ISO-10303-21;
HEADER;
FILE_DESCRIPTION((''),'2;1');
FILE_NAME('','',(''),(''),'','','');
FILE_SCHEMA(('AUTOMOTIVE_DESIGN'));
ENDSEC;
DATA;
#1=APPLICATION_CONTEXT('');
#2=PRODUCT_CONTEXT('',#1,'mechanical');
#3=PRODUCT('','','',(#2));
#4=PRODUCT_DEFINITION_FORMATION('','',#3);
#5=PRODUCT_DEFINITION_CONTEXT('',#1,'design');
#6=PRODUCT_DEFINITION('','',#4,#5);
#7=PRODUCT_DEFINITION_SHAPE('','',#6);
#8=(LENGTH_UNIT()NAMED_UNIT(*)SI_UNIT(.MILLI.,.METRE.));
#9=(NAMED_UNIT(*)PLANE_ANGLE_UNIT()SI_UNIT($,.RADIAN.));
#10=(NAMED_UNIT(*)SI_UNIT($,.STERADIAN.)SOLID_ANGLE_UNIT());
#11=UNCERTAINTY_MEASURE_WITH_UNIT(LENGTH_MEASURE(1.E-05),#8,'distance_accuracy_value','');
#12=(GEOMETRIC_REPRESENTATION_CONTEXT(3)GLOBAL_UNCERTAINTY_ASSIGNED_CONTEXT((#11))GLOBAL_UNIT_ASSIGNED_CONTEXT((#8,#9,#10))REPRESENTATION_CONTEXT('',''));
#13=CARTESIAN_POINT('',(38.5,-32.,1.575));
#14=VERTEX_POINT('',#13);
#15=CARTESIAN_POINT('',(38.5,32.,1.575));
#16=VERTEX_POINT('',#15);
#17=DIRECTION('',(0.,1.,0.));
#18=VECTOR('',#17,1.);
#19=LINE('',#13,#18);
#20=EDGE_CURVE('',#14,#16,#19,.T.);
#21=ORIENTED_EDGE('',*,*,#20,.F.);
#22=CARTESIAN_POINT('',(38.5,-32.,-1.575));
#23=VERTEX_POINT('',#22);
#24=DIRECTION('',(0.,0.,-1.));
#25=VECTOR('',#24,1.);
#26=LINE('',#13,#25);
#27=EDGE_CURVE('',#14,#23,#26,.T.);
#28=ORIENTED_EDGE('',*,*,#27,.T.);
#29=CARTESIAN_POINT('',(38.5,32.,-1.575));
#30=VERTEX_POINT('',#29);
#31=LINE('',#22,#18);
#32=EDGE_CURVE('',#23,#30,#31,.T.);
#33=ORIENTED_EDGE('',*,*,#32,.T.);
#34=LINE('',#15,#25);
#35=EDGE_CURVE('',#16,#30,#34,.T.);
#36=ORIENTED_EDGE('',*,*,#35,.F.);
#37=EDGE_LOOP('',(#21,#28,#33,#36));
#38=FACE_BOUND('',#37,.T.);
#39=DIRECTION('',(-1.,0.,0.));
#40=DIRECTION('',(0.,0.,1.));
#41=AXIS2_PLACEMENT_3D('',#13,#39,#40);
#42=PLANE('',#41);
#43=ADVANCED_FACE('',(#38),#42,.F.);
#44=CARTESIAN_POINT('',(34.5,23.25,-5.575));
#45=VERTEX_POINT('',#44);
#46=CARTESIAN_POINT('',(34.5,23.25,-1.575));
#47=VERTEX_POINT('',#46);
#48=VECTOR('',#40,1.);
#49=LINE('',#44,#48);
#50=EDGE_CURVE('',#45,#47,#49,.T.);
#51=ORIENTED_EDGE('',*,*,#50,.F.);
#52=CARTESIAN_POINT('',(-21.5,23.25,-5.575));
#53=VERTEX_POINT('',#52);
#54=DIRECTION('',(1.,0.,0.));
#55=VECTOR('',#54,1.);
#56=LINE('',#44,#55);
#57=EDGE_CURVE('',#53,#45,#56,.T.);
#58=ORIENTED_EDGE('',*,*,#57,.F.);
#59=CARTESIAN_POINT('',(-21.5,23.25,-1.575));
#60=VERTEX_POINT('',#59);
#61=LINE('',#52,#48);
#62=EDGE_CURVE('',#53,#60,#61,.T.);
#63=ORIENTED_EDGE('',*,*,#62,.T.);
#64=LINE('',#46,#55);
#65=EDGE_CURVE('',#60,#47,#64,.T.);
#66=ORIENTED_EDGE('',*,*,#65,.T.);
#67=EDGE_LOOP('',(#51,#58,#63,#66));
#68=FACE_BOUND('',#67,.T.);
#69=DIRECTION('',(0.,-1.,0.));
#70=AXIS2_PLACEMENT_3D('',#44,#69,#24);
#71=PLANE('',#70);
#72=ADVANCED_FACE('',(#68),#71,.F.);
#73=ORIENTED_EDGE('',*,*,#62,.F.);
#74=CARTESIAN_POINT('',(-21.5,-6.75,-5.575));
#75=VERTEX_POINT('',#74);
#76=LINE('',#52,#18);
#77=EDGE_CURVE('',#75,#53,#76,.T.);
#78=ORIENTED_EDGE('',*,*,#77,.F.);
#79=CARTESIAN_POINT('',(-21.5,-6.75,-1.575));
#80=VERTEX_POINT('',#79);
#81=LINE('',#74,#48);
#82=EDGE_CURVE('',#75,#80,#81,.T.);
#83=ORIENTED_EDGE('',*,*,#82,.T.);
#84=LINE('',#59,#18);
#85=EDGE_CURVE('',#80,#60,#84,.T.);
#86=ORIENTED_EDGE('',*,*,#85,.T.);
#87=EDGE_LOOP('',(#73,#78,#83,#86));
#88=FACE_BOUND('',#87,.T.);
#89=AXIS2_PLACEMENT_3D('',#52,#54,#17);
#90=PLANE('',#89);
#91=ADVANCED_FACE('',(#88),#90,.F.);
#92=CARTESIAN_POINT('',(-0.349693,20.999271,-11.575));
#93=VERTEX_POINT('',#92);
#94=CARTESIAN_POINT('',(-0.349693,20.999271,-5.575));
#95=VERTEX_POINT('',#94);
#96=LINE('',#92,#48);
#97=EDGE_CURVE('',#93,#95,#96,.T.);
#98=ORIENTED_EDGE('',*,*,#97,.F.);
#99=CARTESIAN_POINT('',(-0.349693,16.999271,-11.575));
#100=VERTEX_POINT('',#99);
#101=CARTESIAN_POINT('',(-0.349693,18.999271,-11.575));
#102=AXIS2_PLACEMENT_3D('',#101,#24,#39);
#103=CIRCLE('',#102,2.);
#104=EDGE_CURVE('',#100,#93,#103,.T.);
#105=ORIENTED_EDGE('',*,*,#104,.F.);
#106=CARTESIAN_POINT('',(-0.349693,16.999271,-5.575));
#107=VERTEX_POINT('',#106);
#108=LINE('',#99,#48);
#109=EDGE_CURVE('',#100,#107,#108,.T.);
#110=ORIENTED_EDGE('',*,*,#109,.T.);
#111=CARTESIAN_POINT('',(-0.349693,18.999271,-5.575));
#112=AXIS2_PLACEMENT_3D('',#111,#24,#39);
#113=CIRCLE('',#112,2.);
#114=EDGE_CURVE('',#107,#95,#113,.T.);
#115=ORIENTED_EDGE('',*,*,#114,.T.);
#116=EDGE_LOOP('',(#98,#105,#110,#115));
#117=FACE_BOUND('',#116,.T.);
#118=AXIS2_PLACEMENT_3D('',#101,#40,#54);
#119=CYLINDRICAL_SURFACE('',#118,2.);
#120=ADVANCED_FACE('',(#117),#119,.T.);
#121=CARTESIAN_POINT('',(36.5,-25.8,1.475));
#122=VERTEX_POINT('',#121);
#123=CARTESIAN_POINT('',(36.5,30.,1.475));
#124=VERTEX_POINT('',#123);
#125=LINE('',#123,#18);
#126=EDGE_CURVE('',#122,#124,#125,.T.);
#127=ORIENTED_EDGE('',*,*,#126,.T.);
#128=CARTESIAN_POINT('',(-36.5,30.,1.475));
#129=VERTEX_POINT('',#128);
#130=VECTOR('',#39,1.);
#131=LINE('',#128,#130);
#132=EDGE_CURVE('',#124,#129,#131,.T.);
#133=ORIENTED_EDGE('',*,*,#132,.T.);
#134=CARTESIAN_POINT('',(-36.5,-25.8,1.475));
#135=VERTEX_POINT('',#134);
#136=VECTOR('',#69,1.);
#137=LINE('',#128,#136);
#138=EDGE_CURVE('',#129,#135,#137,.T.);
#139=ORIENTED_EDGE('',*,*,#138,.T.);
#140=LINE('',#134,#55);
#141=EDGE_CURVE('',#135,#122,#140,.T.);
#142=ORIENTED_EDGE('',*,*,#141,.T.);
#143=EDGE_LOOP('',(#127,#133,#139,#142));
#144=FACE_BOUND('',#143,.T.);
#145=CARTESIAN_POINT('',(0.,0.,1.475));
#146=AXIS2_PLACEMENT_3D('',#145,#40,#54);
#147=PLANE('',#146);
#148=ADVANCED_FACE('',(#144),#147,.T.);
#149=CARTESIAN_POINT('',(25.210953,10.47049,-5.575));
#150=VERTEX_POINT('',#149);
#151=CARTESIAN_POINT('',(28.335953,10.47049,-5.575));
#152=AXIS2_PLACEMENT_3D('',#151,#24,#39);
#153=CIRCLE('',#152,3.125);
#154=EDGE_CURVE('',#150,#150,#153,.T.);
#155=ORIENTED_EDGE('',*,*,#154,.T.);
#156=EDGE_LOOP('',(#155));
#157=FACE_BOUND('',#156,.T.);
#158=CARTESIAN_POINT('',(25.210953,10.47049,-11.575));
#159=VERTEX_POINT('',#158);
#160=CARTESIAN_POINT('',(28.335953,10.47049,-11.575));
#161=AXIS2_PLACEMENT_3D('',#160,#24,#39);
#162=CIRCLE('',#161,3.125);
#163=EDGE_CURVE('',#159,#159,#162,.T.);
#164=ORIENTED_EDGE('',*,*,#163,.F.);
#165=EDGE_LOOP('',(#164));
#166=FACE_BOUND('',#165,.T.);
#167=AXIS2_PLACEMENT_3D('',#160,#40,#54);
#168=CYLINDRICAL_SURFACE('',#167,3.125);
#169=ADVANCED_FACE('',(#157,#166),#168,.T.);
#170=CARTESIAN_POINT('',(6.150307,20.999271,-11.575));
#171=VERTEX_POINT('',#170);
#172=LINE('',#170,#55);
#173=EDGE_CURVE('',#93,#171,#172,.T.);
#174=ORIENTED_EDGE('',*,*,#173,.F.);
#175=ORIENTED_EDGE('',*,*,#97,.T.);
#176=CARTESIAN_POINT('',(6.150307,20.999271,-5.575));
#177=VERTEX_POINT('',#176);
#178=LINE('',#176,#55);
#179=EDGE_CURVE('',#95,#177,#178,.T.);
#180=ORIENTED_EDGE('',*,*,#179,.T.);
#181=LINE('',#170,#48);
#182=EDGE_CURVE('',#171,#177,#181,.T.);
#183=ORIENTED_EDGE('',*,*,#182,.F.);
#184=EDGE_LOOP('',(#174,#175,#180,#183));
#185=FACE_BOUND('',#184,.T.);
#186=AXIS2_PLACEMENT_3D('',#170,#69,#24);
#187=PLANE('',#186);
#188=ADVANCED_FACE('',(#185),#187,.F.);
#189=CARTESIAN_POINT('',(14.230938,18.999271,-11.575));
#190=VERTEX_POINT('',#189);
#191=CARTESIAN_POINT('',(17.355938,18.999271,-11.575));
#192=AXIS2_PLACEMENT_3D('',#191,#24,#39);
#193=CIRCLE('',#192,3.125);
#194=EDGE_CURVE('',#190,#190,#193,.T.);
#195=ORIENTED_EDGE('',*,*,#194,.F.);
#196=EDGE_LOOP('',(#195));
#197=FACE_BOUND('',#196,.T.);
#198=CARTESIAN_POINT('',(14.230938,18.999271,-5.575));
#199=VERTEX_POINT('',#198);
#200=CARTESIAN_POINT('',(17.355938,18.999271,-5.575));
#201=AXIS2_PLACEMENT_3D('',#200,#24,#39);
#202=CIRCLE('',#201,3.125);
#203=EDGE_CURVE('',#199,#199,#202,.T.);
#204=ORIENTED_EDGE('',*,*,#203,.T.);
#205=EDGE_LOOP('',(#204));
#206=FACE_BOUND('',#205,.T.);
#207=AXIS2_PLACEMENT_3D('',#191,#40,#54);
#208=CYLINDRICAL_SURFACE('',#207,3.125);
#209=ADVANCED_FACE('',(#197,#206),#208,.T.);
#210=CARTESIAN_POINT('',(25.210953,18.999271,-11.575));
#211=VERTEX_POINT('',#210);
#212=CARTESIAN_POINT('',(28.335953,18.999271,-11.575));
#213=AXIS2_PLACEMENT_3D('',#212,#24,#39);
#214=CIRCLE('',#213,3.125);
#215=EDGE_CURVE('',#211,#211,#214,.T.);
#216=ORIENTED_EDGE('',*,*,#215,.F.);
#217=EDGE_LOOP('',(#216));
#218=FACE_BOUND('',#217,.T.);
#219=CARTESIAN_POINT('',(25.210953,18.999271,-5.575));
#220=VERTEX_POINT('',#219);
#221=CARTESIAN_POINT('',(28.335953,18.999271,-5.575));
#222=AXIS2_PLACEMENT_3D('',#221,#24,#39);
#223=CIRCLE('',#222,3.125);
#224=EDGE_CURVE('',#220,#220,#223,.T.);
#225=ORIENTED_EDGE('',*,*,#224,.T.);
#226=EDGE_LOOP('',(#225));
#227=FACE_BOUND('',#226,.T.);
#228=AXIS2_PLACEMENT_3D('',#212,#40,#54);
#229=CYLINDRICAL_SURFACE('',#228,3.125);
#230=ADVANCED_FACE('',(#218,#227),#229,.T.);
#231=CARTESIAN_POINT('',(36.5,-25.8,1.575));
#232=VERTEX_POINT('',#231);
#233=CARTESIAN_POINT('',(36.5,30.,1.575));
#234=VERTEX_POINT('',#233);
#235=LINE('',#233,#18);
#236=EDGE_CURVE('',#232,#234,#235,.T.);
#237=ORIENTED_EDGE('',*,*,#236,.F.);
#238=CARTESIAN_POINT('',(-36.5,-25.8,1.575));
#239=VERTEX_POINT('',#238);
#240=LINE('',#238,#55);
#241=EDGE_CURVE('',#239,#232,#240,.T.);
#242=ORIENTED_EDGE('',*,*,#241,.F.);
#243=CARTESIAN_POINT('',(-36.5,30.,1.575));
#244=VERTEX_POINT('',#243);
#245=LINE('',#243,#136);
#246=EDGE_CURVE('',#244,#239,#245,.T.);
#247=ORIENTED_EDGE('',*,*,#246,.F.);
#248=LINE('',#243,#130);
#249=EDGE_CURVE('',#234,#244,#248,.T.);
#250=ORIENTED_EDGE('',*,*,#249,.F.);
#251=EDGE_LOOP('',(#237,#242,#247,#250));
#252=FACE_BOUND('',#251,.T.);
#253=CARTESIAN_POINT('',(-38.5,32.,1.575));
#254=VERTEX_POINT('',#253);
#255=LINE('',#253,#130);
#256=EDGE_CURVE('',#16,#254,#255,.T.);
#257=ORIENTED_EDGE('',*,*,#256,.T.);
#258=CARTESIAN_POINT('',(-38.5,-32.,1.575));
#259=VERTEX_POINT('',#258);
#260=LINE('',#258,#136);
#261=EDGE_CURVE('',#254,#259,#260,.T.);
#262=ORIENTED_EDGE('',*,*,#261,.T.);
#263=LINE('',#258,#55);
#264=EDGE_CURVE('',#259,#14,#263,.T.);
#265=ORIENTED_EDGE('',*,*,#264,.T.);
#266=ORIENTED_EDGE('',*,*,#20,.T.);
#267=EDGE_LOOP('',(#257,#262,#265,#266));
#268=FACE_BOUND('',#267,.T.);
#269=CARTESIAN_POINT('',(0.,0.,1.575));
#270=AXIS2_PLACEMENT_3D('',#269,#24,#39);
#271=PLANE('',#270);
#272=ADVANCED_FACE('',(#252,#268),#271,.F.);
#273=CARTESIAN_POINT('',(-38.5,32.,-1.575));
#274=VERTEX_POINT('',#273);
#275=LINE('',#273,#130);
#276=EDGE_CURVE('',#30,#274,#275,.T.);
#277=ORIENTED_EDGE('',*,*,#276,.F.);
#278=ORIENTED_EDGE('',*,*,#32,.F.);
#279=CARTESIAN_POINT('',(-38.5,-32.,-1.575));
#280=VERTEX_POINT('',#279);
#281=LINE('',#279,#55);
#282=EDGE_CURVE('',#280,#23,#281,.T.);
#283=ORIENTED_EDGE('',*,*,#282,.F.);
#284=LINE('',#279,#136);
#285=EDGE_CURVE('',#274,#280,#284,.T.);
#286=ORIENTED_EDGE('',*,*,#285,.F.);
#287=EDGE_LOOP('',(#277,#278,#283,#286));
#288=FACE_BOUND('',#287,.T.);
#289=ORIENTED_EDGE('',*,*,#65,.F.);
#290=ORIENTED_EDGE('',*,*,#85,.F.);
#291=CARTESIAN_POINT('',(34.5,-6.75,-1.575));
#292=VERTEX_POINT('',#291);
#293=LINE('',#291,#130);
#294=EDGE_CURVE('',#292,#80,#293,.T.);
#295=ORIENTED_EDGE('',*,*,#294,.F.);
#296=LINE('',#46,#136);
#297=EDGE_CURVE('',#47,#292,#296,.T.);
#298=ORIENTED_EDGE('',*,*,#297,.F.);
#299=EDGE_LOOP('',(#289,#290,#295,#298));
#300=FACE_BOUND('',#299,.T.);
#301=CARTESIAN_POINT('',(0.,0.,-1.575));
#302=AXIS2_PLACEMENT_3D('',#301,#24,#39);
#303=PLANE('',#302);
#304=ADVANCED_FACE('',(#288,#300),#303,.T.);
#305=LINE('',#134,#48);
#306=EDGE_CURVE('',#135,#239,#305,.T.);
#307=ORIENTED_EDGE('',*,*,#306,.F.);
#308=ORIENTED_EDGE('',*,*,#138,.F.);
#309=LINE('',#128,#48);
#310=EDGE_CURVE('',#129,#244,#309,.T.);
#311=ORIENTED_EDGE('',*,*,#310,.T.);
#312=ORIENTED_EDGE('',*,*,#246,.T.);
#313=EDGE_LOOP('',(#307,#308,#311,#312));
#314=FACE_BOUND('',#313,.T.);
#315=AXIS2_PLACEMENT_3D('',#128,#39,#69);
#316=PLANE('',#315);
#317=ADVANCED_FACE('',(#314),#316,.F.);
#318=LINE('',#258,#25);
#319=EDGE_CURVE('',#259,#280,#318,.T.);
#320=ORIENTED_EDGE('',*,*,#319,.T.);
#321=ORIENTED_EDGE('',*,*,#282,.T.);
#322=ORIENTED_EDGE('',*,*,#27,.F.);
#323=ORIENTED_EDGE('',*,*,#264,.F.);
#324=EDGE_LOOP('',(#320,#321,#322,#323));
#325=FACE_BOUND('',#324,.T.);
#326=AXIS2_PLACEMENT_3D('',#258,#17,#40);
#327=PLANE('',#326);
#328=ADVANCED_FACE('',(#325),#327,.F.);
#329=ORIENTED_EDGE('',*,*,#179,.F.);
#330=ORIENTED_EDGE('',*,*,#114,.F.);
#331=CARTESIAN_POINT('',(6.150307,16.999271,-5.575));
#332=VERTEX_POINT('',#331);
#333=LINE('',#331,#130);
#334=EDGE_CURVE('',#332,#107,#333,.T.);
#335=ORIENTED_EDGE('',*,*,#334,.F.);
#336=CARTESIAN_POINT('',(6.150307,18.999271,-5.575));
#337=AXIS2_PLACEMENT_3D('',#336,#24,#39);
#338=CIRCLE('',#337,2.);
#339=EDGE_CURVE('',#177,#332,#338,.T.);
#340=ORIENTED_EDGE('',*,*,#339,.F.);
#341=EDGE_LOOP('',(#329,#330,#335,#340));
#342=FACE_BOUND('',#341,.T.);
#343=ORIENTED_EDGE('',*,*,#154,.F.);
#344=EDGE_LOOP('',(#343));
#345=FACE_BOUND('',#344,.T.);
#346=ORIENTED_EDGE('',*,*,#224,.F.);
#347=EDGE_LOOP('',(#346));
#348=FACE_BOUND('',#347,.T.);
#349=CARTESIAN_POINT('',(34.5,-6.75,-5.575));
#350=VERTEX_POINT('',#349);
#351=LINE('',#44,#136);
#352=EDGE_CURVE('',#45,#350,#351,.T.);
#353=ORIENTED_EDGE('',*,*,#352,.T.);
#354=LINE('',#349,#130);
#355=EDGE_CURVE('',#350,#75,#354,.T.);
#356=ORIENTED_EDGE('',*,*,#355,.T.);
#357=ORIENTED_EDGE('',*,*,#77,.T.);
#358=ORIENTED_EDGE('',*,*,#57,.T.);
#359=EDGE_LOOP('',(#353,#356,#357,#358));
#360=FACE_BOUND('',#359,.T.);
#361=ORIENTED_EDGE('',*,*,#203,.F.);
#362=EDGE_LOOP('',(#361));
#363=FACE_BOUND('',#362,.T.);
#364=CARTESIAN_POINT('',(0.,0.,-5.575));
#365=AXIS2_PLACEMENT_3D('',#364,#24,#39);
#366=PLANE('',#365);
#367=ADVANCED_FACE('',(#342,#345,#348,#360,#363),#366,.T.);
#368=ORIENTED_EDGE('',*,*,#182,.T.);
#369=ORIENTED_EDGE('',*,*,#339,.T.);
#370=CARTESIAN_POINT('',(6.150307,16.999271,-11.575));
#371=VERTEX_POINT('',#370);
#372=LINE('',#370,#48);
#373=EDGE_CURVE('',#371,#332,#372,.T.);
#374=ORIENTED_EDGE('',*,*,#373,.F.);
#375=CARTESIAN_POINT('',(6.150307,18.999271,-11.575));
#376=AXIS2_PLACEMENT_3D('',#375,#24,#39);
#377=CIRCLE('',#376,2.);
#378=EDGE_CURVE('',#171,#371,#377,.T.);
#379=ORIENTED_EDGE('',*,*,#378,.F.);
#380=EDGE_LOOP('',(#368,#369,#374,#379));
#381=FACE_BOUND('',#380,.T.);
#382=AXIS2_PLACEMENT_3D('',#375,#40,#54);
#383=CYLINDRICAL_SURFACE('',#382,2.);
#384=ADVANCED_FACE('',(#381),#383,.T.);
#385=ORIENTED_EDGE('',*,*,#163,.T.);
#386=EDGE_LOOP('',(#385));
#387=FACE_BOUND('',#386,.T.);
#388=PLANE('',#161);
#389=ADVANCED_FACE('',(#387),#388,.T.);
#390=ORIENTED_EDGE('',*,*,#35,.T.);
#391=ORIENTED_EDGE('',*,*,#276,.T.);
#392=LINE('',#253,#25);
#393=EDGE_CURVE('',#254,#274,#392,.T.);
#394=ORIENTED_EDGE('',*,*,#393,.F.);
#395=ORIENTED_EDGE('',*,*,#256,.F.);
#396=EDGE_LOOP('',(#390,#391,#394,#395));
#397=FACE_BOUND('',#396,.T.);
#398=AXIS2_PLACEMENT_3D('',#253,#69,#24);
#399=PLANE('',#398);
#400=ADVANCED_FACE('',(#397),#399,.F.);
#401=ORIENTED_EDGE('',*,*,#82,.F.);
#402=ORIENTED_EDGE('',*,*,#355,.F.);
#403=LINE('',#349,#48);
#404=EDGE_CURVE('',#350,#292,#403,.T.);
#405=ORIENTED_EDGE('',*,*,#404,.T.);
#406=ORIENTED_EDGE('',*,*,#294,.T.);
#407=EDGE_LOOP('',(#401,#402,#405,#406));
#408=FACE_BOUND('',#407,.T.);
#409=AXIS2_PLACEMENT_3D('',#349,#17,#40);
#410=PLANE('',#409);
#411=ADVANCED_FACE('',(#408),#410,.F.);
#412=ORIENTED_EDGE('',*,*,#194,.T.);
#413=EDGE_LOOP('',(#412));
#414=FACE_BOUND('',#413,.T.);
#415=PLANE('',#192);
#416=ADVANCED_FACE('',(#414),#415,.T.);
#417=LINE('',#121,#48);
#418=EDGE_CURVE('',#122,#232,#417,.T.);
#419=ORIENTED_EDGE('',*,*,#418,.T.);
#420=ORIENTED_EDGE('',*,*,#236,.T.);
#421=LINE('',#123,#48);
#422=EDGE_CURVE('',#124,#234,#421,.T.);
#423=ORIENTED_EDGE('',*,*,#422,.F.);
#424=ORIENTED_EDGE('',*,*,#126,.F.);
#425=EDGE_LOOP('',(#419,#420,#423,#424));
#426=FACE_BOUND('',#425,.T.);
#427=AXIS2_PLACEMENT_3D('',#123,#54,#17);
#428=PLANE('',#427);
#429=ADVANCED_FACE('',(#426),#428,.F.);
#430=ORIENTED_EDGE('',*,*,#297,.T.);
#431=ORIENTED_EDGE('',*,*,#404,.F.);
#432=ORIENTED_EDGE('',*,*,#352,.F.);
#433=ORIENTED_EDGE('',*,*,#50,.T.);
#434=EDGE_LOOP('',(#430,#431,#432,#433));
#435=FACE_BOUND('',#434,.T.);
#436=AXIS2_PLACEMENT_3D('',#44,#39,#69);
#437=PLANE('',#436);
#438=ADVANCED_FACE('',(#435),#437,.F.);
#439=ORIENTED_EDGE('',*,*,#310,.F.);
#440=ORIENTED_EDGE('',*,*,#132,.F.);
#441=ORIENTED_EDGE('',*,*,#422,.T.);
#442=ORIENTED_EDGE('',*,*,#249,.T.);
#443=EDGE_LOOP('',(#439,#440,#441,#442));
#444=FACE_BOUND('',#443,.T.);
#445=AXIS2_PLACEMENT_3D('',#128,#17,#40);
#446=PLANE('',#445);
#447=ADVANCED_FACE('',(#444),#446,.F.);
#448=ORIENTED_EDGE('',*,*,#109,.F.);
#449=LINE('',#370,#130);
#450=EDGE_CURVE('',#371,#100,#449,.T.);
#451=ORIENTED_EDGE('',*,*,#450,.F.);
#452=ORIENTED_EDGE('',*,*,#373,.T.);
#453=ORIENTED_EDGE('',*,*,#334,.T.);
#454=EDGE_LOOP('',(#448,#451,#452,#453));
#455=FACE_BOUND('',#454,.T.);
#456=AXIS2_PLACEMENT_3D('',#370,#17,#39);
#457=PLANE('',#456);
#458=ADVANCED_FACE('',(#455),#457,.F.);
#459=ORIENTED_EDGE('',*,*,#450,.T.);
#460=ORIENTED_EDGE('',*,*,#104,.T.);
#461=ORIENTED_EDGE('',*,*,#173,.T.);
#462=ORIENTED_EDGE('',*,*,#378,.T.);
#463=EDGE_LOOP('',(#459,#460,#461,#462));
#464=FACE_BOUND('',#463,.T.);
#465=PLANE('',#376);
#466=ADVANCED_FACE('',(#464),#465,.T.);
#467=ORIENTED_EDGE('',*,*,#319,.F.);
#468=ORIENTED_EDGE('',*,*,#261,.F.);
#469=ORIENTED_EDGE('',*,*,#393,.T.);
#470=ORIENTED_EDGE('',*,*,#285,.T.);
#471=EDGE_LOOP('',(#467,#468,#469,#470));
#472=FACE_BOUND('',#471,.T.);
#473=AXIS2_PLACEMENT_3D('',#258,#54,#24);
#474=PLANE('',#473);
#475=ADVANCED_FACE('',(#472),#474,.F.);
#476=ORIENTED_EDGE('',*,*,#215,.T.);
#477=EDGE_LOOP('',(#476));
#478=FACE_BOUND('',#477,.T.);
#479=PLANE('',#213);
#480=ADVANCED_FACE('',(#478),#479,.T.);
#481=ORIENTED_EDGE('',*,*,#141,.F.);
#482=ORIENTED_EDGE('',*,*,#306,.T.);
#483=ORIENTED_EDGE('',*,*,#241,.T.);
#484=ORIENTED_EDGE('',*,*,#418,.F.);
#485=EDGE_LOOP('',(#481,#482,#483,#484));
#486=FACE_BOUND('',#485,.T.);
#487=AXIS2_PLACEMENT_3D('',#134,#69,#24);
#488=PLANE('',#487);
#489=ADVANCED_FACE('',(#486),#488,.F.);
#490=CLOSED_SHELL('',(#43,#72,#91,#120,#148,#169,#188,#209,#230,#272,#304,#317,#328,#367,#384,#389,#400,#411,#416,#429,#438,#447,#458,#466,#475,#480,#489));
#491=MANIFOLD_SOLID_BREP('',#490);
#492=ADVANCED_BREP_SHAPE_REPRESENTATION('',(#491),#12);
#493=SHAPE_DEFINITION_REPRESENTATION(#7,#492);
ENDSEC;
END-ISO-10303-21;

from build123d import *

# Parameters (mm, degrees)
SKETCH1_W           = 77
SKETCH1_H           = 64
BOSS_EXTRUDE1_DEPTH = 1.575
SKETCH2_W           = 56
SKETCH2_H           = 30
BOSS_EXTRUDE2_DEPTH = 4
SKETCH3_R           = 3.125
BOSS_EXTRUDE3_DEPTH = 6
SKETCH4_W           = 73
SKETCH4_H           = 55.8
CUT_EXTRUDE1_DEPTH  = 0.1


with BuildPart() as part:
    # Sketch1 → Boss-Extrude1 (new, symmetric)
    with BuildSketch(Plane.XY):
        Rectangle(SKETCH1_W, SKETCH1_H)
    extrude(amount=BOSS_EXTRUDE1_DEPTH, both=True)

    # Sketch2 → Boss-Extrude2 (add)
    with BuildSketch(Plane(origin=(0, 0, -1.575), x_dir=(-1, 0, 0), z_dir=(0, 0, -1))):
        with Locations((-6.5, 8.25)):
            Rectangle(SKETCH2_W, SKETCH2_H)
    extrude(amount=BOSS_EXTRUDE2_DEPTH)

    # Sketch3 → Boss-Extrude3 (add)
    with BuildSketch(Plane(origin=(0, 0, -5.575), x_dir=(-1, 0, 0), z_dir=(0, 0, -1))):
        with Locations((-28.335952563, 18.999270837)):
            Circle(SKETCH3_R)
        with Locations((-17.355937958, 18.999270837)):
            Circle(SKETCH3_R)
        with Locations((-28.335952563, 10.470489708)):
            Circle(SKETCH3_R)
        with BuildLine():
            Line((-6.150306614, 20.999270837), (0.349693386, 20.999270837))
            ThreePointArc((0.349693386, 20.999270837), (2.349693386, 18.999270837), (0.349693386, 16.999270837))
            Line((0.349693386, 16.999270837), (-6.150306614, 16.999270837))
            ThreePointArc((-6.150306614, 16.999270837), (-8.150306614, 18.999270837), (-6.150306614, 20.999270837))
        make_face()
    extrude(amount=BOSS_EXTRUDE3_DEPTH)

    # Sketch4 → Cut-Extrude1 (cut)
    with BuildSketch(Plane.XY.offset(1.575)):
        with Locations((0, 2.1)):
            Rectangle(SKETCH4_W, SKETCH4_H)
    extrude(amount=-CUT_EXTRUDE1_DEPTH, mode=Mode.SUBTRACT)


solid = part.part
